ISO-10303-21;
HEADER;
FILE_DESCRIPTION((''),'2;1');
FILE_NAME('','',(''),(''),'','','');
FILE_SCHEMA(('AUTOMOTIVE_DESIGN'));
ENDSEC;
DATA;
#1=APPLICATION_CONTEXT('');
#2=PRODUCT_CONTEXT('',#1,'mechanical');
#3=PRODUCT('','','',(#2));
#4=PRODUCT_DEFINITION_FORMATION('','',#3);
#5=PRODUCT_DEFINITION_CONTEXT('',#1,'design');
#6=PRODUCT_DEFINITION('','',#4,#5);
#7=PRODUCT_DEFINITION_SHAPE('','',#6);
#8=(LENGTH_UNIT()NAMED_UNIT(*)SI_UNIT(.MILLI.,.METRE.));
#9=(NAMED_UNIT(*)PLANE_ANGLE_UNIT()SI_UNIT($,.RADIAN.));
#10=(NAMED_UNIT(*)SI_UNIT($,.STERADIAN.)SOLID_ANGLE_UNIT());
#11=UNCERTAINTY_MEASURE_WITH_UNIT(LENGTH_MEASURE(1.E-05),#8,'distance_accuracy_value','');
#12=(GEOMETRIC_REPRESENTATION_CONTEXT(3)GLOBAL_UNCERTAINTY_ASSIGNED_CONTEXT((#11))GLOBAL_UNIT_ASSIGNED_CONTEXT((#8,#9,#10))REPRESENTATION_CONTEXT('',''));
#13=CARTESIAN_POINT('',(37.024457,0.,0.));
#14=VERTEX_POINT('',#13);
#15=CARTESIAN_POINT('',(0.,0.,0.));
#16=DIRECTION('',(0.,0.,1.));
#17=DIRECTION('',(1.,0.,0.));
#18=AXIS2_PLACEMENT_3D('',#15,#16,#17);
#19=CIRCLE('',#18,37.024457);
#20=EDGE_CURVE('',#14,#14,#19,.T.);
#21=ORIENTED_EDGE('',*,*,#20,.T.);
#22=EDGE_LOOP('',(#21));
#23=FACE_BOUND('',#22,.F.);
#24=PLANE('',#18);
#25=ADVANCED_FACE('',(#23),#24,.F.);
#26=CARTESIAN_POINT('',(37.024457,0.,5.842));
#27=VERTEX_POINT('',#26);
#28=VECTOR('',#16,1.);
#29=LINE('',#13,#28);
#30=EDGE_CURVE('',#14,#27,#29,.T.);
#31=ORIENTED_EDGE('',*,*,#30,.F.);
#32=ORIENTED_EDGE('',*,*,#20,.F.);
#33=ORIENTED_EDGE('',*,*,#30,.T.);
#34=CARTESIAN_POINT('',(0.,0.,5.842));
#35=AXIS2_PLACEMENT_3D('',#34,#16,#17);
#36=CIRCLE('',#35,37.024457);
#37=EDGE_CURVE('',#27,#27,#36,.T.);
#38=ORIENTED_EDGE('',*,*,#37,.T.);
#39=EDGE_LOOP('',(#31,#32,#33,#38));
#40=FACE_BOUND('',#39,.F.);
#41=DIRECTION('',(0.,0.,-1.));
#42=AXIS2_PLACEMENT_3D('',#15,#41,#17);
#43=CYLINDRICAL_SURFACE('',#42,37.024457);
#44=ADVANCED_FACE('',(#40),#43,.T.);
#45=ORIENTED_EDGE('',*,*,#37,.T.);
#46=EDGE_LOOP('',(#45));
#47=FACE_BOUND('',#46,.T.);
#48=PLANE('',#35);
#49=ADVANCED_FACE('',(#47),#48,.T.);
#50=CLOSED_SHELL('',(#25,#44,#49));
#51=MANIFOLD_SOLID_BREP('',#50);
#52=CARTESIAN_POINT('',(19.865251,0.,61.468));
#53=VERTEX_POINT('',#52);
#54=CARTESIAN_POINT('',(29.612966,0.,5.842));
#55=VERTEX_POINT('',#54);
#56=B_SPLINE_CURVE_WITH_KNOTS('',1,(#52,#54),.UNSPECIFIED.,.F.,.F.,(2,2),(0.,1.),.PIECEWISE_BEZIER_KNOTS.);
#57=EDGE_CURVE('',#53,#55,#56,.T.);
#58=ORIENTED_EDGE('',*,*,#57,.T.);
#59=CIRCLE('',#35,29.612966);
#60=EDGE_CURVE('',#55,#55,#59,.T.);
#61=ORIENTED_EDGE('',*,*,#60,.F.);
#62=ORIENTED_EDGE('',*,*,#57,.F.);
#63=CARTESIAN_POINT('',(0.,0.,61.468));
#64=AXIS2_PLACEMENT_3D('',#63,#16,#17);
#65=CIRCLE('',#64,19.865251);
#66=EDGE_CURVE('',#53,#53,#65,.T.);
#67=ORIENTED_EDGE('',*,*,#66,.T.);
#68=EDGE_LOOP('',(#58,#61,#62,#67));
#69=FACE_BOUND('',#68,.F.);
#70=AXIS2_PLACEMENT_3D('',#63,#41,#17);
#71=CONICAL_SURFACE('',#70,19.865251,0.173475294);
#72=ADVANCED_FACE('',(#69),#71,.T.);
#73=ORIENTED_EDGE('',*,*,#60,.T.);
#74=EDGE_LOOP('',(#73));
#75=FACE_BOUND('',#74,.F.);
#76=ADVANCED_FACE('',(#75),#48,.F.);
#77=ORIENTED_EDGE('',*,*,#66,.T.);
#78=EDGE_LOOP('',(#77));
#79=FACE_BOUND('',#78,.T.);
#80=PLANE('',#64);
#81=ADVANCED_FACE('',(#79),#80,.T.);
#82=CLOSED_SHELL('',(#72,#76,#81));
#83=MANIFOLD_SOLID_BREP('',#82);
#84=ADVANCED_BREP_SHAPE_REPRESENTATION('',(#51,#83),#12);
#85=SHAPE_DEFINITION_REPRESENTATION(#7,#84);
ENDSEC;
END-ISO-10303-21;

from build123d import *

# Parameters (mm, degrees)
F0_R     = 37.024457
F1_DEPTH = 5.842
F4_R     = 19.865251
F2_R     = 29.612966


with BuildPart() as f1:
    # F0 (on Top) → F1 (new body)
    with BuildSketch(Plane.XY):
        Circle(F0_R)
    extrude(amount=F1_DEPTH)


with BuildPart() as f5:
    # F4 (on offset) → F5 section 0
    with BuildSketch(Plane.XY.offset(61.468)):
        Circle(F4_R)
    # F2 (on face) → F5 section 1
    with BuildSketch(Plane.XY.offset(5.842)):
        Circle(F2_R)
    loft()


solid = Compound([f1.part, f5.part])
